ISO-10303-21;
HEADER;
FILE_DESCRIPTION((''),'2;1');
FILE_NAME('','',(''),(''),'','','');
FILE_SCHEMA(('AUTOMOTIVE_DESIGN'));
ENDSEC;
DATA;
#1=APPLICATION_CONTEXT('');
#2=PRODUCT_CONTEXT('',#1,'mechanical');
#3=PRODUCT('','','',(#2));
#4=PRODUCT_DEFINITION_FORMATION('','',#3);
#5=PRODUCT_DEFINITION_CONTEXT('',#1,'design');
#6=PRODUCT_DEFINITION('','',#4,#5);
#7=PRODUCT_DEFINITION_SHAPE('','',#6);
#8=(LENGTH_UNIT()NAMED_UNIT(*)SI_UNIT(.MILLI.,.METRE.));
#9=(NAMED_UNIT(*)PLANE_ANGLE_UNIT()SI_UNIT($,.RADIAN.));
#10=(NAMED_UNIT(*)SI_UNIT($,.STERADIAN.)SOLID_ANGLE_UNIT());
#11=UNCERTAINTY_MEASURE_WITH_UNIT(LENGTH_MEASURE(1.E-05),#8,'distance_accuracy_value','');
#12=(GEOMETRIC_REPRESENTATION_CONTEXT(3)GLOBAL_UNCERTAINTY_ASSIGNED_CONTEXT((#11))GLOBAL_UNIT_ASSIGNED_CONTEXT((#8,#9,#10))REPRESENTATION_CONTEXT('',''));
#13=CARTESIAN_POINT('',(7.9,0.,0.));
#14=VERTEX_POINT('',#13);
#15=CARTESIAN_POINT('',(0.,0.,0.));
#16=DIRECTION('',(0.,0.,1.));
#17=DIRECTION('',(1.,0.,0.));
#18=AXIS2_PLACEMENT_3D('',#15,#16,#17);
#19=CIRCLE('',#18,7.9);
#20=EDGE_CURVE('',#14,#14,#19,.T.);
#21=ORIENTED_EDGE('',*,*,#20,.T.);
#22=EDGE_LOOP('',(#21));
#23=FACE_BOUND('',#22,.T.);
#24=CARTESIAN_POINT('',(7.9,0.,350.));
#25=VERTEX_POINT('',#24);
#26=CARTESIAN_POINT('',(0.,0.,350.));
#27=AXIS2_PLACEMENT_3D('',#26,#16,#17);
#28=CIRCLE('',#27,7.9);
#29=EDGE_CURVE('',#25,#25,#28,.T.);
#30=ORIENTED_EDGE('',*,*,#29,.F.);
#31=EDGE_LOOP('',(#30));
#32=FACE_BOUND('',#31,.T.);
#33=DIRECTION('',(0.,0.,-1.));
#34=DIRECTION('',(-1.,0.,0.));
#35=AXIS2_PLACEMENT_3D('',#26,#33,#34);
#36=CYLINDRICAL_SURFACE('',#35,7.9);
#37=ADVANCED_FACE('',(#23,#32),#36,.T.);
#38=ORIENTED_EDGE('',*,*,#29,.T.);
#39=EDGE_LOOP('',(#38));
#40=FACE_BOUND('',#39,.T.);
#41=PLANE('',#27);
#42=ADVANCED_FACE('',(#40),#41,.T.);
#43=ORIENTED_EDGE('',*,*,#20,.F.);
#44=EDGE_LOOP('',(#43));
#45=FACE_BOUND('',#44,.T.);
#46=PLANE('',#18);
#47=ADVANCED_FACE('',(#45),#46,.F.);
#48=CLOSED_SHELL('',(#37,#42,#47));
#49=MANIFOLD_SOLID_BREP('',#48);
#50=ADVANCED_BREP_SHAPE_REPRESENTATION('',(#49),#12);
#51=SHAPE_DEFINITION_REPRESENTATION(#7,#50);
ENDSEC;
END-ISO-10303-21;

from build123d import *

# Parameters (mm, degrees)
SKETCH1_R           = 7.9
BOSS_EXTRUDE1_DEPTH = 350


with BuildPart() as part:
    # Sketch1 → Boss-Extrude1 (new body)
    with BuildSketch(Plane.XY):
        Circle(SKETCH1_R)
    extrude(amount=BOSS_EXTRUDE1_DEPTH)


solid = part.part
